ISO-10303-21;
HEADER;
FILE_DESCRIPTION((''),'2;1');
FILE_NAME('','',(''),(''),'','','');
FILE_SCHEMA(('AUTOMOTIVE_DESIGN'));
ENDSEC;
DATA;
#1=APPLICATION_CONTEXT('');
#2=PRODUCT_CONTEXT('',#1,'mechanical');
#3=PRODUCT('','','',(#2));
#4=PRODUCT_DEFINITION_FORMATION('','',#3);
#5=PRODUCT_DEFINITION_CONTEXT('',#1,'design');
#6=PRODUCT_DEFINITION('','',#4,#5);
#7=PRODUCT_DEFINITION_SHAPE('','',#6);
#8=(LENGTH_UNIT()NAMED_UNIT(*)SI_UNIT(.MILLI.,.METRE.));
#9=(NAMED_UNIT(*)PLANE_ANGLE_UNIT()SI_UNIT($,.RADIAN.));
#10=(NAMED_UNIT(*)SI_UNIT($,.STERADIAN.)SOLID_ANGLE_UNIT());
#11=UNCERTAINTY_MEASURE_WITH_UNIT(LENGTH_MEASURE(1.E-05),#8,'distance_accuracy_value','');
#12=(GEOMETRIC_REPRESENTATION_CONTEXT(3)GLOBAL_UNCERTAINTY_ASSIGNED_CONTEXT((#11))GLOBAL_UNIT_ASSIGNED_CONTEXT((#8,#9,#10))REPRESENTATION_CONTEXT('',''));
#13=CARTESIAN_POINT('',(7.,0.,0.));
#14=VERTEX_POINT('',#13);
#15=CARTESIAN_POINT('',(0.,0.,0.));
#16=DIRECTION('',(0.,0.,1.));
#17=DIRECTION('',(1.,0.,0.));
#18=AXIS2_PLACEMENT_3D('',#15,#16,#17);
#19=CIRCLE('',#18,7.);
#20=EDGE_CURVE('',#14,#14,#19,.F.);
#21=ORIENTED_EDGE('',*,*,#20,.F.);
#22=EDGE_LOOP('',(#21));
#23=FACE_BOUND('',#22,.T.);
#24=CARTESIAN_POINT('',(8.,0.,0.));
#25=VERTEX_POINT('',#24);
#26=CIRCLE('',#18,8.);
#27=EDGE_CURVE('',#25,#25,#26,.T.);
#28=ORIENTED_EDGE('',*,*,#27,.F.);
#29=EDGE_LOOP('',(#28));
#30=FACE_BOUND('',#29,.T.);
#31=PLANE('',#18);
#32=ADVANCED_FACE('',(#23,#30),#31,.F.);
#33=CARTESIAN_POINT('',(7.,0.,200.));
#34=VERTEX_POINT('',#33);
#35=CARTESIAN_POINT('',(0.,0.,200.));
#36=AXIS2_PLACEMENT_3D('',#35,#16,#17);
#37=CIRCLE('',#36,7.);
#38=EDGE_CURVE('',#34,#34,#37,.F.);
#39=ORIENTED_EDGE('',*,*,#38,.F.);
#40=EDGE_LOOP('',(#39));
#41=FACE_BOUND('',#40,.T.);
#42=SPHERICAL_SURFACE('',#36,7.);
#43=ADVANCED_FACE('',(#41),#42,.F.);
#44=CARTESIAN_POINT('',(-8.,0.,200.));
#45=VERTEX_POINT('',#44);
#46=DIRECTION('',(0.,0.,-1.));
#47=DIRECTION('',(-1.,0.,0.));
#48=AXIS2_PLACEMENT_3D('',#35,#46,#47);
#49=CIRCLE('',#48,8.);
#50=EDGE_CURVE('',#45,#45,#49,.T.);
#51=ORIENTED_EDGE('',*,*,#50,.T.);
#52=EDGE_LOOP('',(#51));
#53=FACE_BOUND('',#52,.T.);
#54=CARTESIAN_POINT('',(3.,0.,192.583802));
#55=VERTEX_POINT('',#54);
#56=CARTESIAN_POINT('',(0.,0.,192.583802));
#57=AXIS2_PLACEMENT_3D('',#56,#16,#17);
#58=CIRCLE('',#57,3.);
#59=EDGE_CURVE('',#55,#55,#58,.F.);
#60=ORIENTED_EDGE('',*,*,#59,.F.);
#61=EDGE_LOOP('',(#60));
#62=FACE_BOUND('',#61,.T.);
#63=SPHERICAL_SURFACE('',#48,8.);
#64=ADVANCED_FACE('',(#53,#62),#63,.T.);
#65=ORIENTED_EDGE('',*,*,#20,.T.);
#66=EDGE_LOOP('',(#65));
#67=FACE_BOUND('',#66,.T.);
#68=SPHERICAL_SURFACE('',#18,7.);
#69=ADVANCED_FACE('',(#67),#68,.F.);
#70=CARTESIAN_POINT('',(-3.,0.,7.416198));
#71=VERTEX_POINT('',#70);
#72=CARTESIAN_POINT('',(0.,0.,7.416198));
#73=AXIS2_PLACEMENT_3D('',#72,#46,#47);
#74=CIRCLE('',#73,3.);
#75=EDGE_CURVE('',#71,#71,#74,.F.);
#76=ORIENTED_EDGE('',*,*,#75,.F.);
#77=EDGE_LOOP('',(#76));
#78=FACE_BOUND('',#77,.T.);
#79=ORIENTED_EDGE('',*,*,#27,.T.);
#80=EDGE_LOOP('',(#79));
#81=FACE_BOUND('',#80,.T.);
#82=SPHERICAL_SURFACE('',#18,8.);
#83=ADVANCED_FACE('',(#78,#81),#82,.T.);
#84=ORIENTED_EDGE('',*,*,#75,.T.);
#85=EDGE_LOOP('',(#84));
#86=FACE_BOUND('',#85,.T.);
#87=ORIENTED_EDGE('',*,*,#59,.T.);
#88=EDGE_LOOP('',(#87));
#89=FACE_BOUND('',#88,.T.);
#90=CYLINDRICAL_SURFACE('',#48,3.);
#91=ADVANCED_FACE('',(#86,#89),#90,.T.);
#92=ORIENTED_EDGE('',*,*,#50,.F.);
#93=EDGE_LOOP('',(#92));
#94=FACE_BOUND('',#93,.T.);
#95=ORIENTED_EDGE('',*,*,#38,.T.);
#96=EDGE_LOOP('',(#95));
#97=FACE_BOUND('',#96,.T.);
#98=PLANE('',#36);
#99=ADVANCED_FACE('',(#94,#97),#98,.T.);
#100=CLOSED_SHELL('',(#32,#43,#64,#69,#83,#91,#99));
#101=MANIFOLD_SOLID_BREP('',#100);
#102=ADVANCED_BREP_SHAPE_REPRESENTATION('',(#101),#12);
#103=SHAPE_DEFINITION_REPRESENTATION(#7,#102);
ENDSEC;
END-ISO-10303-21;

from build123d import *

# Parameters (mm, degrees)
SKETCH1_R           = 3
BOSS_EXTRUDE1_DEPTH = 200
REVOLVE1_ANGLE      = 180
REVOLVE2_ANGLE      = 180


with BuildPart() as part:
    # Sketch1 → Boss-Extrude1 (new body)
    with BuildSketch(Plane.XY):
        Circle(SKETCH1_R)
    extrude(amount=BOSS_EXTRUDE1_DEPTH)

    # Sketch2 → Revolve1 (revolve)
    with BuildSketch(Plane.XY.offset(200)):
        with BuildLine():
            Line((0, 8), (0, 7))
            Line((0, 7), (0, -7))
            Line((0, -7), (0, -8))
            ThreePointArc((0, -8), (8, 0), (0, 8))
        make_face()
    revolve(axis=Axis((0, 8, 200), (0, 1, 0)), revolution_arc=REVOLVE1_ANGLE)

    # Sketch3 → Cut-Revolve1 (revolve, cut)
    with BuildSketch(Plane.XY.offset(200)):
        with BuildLine():
            Line((0, 7), (0, -7))
            ThreePointArc((0, -7), (7, 0), (0, 7))
        make_face()
    revolve(axis=Axis((0, 7, 200), (0, -1, 0)), mode=Mode.SUBTRACT)

    # Sketch4 → Revolve2 (revolve)
    with BuildSketch(Plane(origin=(0, 0, 0), x_dir=(-1, 0, 0), z_dir=(0, 0, -1))):
        with BuildLine():
            Line((0, 8), (0, -8))
            ThreePointArc((0, -8), (8, 0), (0, 8))
        make_face()
    revolve(axis=Axis((0, 8, 0), (0, 1, 0)), revolution_arc=REVOLVE2_ANGLE)

    # Sketch5 → Cut-Revolve2 (revolve, cut)
    with BuildSketch(Plane(origin=(0, 0, 0), x_dir=(-1, 0, 0), z_dir=(0, 0, -1))):
        with BuildLine():
            Line((0, 7), (0, -7))
            ThreePointArc((0, -7), (7, 0), (0, 7))
        make_face()
    revolve(axis=Axis((0, 7, 0), (0, -1, 0)), mode=Mode.SUBTRACT)


solid = part.part
